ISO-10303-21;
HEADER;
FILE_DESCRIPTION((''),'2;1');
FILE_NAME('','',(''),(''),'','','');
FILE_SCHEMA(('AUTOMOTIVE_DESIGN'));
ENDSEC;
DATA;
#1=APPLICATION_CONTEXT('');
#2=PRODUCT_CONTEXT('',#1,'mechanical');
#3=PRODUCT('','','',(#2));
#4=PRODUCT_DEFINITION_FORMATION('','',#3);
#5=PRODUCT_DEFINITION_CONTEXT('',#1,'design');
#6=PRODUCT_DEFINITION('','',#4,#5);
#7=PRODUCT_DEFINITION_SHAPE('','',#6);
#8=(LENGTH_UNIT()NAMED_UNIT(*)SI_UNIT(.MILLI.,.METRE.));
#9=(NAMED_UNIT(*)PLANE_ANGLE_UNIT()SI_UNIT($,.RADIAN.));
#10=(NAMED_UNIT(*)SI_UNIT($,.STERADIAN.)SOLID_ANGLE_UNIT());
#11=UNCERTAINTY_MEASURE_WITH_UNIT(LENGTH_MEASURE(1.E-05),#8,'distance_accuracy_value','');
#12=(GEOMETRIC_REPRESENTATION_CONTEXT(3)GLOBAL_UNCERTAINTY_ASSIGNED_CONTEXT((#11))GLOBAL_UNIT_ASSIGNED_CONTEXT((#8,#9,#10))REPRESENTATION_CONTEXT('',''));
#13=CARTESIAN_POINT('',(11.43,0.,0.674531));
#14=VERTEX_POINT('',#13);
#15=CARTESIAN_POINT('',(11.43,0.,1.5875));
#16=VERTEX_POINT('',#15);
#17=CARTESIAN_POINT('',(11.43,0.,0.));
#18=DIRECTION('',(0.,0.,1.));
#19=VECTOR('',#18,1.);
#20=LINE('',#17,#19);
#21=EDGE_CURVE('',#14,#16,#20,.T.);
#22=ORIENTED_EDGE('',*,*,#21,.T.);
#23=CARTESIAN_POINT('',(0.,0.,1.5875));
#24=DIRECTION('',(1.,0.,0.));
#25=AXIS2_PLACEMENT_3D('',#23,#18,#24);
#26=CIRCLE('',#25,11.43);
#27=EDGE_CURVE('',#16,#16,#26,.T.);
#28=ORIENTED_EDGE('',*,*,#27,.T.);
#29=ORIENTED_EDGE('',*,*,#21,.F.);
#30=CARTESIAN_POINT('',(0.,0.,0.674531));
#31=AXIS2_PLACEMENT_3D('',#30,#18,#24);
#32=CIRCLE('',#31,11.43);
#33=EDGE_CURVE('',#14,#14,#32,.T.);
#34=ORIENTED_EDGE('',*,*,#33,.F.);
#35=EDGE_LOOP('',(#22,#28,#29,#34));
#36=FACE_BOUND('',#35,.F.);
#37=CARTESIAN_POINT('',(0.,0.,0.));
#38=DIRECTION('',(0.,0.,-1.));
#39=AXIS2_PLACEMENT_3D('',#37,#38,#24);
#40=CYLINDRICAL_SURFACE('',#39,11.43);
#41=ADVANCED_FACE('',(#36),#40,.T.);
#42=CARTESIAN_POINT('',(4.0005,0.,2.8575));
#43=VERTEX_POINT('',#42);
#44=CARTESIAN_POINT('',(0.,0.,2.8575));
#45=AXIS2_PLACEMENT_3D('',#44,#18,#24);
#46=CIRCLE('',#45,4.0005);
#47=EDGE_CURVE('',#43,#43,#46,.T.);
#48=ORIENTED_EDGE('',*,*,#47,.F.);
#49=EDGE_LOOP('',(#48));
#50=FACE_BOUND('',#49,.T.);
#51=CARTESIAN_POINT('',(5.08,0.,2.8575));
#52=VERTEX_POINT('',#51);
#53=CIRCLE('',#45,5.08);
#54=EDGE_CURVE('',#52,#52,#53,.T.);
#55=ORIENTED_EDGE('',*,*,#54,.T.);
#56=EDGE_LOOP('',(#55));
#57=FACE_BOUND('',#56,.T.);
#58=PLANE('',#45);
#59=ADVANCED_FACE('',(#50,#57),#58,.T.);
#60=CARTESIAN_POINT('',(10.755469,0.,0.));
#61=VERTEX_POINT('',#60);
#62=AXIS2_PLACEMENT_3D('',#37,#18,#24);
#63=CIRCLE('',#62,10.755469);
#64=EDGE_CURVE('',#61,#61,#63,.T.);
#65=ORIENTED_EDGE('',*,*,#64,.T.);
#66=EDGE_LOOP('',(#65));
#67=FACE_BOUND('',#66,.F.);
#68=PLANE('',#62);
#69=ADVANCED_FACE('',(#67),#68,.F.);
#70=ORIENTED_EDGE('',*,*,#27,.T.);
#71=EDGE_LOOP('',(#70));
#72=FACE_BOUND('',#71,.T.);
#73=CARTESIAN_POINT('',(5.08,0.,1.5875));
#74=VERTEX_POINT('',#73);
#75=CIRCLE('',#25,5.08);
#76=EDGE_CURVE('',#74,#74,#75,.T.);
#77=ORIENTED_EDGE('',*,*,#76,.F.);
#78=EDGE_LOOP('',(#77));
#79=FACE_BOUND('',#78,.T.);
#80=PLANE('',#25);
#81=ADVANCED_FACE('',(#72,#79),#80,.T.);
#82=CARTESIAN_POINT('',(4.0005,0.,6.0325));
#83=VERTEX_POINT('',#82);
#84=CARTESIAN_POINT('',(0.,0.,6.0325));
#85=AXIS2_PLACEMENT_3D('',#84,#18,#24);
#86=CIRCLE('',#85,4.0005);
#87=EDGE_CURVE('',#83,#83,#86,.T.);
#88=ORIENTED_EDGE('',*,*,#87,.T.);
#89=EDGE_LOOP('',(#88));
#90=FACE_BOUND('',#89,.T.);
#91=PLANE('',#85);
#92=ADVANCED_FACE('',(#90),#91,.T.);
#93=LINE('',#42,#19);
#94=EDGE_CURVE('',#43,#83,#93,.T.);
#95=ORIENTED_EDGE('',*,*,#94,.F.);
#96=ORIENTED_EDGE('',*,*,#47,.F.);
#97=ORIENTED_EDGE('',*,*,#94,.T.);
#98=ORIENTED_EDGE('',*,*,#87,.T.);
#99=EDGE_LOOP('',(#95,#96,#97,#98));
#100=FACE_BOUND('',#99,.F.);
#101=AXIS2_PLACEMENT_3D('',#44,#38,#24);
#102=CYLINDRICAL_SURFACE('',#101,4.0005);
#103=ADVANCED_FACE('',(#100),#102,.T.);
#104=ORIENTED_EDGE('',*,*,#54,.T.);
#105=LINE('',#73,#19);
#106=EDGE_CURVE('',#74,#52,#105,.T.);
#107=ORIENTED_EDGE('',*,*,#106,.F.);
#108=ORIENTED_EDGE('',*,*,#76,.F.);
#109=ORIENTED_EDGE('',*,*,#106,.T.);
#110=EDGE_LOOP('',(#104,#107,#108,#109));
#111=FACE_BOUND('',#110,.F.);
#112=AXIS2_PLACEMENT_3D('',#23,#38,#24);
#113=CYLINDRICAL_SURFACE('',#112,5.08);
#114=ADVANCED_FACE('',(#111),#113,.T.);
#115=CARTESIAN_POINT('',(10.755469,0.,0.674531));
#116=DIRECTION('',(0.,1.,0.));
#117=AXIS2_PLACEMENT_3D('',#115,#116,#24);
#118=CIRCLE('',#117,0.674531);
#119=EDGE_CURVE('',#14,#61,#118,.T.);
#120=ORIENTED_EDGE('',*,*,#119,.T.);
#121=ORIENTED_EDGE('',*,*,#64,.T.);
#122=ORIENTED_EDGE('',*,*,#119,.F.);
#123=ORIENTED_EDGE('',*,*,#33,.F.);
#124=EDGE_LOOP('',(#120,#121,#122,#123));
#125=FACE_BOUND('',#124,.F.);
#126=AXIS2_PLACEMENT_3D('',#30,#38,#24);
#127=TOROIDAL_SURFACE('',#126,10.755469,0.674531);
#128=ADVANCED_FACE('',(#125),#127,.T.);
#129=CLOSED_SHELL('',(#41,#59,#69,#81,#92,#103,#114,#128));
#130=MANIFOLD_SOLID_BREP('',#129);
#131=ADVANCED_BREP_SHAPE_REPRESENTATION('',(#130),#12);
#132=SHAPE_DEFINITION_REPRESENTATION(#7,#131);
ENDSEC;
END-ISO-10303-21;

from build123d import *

# Parameters (mm, degrees)
F0_R     = 11.43
F1_DEPTH = 1.5875
F2_R     = 5.08
F3_DEPTH = 1.27
F4_R     = 4.0005
F5_DEPTH = 3.175
F6_R     = 0.674531


with BuildPart() as f1:
    # F0 (on Top) → F1 (new body)
    with BuildSketch(Plane.XY):
        Circle(F0_R)
    extrude(amount=F1_DEPTH)

    # F2 (on face) → F3 (join)
    with BuildSketch(Plane.XY.offset(1.5875)):
        Circle(F2_R)
    extrude(amount=F3_DEPTH)

    # F4 (on face) → F5 (join)
    with BuildSketch(Plane.XY.offset(2.8575)):
        Circle(F4_R)
    extrude(amount=F5_DEPTH)

    # F6
    f6_edges = [f1.edges().sort_by_distance(p)[0] for p in [
        (-11.43, 0, 0),
    ]]
    fillet(f6_edges, radius=F6_R)


solid = f1.part
